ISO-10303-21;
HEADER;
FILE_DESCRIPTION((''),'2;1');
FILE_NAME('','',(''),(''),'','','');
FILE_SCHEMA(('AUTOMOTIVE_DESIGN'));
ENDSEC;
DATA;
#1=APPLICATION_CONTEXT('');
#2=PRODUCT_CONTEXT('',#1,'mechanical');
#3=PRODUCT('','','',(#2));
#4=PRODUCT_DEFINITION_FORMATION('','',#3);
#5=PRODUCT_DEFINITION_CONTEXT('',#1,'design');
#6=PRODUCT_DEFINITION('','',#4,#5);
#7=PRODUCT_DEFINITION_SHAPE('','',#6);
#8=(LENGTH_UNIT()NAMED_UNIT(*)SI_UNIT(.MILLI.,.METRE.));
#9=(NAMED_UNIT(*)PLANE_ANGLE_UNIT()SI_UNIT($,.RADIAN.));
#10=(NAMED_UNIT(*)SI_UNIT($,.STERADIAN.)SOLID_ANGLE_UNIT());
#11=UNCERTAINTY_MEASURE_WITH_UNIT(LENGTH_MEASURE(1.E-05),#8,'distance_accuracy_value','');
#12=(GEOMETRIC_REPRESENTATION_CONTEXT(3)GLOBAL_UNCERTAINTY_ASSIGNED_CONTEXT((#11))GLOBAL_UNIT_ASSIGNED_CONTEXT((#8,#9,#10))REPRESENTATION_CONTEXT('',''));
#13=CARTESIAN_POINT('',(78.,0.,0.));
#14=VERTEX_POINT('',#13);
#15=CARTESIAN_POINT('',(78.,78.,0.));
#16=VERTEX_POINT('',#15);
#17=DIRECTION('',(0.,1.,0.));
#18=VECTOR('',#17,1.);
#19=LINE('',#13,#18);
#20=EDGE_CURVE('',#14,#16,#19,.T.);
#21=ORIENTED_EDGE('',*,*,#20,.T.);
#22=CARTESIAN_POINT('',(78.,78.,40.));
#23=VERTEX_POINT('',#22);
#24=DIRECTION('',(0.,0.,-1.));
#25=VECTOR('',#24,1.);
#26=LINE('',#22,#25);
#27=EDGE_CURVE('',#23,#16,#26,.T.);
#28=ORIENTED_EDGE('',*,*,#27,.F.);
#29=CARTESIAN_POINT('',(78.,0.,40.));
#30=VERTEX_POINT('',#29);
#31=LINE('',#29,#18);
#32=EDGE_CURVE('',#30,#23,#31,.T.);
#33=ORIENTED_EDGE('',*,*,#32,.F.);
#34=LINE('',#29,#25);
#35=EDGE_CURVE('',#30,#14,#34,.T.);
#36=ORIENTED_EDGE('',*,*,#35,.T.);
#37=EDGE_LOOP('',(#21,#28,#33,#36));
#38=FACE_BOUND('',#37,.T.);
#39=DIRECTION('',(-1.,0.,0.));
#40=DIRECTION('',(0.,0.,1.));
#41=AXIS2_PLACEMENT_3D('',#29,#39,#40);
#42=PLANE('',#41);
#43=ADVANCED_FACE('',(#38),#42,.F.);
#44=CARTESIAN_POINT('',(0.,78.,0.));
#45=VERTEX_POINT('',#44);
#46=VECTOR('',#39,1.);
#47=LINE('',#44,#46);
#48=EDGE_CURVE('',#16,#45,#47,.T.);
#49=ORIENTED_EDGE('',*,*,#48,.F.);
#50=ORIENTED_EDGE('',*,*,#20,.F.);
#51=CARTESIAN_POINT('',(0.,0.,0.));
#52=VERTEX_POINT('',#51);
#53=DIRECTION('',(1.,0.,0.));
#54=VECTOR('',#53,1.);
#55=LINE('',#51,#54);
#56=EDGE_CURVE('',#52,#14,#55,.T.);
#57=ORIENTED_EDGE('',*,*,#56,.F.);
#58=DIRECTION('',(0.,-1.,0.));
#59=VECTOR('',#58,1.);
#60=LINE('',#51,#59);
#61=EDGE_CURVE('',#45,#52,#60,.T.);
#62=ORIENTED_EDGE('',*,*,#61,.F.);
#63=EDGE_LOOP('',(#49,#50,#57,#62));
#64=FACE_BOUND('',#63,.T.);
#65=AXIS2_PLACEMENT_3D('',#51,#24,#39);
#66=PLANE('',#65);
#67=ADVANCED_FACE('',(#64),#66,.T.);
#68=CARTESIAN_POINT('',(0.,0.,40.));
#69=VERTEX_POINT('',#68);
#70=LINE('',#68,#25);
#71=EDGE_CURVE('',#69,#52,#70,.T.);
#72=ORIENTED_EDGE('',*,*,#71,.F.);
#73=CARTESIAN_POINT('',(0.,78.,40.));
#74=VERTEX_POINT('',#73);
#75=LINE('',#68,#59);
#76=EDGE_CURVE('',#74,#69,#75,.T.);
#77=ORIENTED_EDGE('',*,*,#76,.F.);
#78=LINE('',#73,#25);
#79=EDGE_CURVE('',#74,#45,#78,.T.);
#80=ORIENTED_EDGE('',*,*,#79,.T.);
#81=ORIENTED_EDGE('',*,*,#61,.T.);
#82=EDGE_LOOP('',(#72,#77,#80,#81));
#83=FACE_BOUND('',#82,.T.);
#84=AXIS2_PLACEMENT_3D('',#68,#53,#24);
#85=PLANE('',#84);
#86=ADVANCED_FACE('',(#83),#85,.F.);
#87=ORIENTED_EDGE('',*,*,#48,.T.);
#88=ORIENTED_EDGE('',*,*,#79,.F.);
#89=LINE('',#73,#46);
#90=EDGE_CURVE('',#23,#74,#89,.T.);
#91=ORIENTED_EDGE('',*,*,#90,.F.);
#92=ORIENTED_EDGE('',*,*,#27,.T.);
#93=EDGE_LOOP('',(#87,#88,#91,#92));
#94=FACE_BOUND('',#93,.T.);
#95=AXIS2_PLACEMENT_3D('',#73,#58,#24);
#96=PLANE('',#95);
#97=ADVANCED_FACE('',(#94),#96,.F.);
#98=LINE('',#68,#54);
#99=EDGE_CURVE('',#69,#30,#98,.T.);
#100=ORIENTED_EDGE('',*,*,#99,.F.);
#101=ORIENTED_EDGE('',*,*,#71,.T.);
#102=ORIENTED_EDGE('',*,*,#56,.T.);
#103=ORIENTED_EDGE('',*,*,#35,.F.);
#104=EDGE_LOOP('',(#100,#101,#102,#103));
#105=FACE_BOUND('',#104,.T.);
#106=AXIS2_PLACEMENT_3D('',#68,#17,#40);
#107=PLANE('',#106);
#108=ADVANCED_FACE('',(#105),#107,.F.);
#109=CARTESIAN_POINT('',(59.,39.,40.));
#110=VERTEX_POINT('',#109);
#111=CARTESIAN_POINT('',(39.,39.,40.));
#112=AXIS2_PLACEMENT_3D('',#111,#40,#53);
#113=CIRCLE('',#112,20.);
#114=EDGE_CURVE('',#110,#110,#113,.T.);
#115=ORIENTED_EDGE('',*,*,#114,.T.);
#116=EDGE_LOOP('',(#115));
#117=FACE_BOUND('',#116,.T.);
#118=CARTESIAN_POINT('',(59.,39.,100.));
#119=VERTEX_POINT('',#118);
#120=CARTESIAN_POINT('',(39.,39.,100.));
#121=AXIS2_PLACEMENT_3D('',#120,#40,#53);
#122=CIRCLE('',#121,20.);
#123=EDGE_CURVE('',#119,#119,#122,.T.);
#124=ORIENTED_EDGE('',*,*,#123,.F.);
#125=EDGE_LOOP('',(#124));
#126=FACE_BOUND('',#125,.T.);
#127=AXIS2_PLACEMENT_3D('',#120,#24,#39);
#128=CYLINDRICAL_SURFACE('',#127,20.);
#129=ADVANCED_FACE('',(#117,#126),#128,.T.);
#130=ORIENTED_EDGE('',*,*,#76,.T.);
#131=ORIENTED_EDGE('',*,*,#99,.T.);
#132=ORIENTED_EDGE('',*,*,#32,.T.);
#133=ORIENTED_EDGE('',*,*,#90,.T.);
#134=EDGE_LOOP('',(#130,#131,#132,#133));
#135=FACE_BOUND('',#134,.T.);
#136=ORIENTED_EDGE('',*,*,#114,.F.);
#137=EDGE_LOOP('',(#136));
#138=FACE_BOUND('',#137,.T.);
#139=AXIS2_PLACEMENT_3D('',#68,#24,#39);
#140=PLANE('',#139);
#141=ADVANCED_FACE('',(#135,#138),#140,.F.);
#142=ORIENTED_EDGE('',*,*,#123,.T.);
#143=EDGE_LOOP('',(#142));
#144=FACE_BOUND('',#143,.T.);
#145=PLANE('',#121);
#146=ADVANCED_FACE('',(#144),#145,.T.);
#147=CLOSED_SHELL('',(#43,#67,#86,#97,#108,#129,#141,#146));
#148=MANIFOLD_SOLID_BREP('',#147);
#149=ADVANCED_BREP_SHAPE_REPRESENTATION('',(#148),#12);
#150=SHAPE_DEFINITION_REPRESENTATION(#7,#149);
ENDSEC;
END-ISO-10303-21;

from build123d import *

# Parameters (mm, degrees)
BODY_SKETCH_W = 78
BODY_SKETCH_H = 78
BODY_DEPTH    = 40
BOSS_SKETCH_R = 20
BOSS_DEPTH    = 60


with BuildPart() as part:
    # Body sketch → Body (new body)
    with BuildSketch(Plane.XY):
        with Locations((39, 39)):
            Rectangle(BODY_SKETCH_W, BODY_SKETCH_H)
    extrude(amount=BODY_DEPTH)

    # Boss sketch → Boss (add)
    with BuildSketch(Plane.XY.offset(40)):
        with Locations((39, 39)):
            Circle(BOSS_SKETCH_R)
    extrude(amount=BOSS_DEPTH)


solid = part.part
